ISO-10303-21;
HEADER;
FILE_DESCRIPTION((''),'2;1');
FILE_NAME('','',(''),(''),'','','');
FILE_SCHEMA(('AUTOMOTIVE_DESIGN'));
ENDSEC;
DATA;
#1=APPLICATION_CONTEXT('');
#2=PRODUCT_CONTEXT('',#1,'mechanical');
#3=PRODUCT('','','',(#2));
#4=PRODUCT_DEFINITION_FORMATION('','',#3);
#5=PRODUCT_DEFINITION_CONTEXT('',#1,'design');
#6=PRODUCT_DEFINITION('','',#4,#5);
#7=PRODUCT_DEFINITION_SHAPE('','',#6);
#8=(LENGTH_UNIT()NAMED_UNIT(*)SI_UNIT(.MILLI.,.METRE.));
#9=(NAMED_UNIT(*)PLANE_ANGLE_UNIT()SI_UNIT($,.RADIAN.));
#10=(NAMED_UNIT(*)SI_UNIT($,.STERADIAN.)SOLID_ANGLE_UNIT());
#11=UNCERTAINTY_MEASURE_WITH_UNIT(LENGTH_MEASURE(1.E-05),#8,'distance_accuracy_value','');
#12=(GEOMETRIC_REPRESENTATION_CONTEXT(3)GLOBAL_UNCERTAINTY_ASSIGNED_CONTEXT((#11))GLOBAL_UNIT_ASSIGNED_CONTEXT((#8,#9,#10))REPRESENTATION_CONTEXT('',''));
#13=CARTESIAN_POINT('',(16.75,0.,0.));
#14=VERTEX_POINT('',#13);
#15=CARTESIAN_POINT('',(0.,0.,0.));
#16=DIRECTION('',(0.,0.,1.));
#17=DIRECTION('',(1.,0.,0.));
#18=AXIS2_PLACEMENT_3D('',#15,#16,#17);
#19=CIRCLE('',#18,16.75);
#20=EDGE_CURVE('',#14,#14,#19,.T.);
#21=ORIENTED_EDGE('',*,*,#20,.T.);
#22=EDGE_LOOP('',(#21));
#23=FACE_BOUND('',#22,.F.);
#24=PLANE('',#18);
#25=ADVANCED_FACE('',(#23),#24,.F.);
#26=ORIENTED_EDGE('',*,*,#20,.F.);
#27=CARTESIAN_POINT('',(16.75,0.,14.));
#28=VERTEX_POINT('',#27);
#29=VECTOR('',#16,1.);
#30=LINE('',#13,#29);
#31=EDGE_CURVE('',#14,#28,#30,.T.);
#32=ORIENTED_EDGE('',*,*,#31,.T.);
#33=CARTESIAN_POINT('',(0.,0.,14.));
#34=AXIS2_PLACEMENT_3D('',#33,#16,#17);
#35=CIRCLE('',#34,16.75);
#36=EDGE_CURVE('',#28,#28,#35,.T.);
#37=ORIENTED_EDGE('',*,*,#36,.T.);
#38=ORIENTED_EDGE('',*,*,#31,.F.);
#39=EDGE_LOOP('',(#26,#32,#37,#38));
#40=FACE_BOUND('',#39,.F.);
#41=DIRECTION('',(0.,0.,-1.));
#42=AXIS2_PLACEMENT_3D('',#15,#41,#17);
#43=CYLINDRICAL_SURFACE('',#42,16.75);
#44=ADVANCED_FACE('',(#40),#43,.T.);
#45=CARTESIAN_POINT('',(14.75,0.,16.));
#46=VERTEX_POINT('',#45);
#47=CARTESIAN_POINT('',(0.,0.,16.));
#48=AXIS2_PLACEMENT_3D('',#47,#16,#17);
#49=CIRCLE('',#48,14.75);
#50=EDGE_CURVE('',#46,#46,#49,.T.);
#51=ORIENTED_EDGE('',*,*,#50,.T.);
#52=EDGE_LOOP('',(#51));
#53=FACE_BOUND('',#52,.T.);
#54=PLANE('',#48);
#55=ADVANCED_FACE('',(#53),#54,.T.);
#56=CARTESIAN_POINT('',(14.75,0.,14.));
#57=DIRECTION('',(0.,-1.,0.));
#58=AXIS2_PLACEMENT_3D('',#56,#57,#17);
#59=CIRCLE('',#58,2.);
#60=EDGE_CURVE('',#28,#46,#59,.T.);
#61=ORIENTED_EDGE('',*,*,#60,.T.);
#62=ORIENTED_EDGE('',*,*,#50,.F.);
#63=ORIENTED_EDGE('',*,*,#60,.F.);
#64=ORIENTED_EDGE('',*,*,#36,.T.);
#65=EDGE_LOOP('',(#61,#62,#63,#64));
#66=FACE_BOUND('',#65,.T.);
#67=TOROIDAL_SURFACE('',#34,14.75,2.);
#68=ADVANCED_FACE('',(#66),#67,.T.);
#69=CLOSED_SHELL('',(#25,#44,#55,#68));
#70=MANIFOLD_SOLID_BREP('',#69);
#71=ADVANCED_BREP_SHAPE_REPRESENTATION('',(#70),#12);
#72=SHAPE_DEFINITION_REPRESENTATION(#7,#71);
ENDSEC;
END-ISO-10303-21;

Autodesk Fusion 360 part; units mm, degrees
sketch "Esboço1" plane through (0, 0, 0) normal (0, 0, 1) x (1, 0, 0)
  circle A0 centre (0, 0) radius 16.75
  dimension "d1" = 33.5
extrude "Extrusão1" add sketch "Esboço1" along normal blind 16
fillet "Arredondamento1" radius 2 1 edges at (-15.6165, -6.0571, 16)
